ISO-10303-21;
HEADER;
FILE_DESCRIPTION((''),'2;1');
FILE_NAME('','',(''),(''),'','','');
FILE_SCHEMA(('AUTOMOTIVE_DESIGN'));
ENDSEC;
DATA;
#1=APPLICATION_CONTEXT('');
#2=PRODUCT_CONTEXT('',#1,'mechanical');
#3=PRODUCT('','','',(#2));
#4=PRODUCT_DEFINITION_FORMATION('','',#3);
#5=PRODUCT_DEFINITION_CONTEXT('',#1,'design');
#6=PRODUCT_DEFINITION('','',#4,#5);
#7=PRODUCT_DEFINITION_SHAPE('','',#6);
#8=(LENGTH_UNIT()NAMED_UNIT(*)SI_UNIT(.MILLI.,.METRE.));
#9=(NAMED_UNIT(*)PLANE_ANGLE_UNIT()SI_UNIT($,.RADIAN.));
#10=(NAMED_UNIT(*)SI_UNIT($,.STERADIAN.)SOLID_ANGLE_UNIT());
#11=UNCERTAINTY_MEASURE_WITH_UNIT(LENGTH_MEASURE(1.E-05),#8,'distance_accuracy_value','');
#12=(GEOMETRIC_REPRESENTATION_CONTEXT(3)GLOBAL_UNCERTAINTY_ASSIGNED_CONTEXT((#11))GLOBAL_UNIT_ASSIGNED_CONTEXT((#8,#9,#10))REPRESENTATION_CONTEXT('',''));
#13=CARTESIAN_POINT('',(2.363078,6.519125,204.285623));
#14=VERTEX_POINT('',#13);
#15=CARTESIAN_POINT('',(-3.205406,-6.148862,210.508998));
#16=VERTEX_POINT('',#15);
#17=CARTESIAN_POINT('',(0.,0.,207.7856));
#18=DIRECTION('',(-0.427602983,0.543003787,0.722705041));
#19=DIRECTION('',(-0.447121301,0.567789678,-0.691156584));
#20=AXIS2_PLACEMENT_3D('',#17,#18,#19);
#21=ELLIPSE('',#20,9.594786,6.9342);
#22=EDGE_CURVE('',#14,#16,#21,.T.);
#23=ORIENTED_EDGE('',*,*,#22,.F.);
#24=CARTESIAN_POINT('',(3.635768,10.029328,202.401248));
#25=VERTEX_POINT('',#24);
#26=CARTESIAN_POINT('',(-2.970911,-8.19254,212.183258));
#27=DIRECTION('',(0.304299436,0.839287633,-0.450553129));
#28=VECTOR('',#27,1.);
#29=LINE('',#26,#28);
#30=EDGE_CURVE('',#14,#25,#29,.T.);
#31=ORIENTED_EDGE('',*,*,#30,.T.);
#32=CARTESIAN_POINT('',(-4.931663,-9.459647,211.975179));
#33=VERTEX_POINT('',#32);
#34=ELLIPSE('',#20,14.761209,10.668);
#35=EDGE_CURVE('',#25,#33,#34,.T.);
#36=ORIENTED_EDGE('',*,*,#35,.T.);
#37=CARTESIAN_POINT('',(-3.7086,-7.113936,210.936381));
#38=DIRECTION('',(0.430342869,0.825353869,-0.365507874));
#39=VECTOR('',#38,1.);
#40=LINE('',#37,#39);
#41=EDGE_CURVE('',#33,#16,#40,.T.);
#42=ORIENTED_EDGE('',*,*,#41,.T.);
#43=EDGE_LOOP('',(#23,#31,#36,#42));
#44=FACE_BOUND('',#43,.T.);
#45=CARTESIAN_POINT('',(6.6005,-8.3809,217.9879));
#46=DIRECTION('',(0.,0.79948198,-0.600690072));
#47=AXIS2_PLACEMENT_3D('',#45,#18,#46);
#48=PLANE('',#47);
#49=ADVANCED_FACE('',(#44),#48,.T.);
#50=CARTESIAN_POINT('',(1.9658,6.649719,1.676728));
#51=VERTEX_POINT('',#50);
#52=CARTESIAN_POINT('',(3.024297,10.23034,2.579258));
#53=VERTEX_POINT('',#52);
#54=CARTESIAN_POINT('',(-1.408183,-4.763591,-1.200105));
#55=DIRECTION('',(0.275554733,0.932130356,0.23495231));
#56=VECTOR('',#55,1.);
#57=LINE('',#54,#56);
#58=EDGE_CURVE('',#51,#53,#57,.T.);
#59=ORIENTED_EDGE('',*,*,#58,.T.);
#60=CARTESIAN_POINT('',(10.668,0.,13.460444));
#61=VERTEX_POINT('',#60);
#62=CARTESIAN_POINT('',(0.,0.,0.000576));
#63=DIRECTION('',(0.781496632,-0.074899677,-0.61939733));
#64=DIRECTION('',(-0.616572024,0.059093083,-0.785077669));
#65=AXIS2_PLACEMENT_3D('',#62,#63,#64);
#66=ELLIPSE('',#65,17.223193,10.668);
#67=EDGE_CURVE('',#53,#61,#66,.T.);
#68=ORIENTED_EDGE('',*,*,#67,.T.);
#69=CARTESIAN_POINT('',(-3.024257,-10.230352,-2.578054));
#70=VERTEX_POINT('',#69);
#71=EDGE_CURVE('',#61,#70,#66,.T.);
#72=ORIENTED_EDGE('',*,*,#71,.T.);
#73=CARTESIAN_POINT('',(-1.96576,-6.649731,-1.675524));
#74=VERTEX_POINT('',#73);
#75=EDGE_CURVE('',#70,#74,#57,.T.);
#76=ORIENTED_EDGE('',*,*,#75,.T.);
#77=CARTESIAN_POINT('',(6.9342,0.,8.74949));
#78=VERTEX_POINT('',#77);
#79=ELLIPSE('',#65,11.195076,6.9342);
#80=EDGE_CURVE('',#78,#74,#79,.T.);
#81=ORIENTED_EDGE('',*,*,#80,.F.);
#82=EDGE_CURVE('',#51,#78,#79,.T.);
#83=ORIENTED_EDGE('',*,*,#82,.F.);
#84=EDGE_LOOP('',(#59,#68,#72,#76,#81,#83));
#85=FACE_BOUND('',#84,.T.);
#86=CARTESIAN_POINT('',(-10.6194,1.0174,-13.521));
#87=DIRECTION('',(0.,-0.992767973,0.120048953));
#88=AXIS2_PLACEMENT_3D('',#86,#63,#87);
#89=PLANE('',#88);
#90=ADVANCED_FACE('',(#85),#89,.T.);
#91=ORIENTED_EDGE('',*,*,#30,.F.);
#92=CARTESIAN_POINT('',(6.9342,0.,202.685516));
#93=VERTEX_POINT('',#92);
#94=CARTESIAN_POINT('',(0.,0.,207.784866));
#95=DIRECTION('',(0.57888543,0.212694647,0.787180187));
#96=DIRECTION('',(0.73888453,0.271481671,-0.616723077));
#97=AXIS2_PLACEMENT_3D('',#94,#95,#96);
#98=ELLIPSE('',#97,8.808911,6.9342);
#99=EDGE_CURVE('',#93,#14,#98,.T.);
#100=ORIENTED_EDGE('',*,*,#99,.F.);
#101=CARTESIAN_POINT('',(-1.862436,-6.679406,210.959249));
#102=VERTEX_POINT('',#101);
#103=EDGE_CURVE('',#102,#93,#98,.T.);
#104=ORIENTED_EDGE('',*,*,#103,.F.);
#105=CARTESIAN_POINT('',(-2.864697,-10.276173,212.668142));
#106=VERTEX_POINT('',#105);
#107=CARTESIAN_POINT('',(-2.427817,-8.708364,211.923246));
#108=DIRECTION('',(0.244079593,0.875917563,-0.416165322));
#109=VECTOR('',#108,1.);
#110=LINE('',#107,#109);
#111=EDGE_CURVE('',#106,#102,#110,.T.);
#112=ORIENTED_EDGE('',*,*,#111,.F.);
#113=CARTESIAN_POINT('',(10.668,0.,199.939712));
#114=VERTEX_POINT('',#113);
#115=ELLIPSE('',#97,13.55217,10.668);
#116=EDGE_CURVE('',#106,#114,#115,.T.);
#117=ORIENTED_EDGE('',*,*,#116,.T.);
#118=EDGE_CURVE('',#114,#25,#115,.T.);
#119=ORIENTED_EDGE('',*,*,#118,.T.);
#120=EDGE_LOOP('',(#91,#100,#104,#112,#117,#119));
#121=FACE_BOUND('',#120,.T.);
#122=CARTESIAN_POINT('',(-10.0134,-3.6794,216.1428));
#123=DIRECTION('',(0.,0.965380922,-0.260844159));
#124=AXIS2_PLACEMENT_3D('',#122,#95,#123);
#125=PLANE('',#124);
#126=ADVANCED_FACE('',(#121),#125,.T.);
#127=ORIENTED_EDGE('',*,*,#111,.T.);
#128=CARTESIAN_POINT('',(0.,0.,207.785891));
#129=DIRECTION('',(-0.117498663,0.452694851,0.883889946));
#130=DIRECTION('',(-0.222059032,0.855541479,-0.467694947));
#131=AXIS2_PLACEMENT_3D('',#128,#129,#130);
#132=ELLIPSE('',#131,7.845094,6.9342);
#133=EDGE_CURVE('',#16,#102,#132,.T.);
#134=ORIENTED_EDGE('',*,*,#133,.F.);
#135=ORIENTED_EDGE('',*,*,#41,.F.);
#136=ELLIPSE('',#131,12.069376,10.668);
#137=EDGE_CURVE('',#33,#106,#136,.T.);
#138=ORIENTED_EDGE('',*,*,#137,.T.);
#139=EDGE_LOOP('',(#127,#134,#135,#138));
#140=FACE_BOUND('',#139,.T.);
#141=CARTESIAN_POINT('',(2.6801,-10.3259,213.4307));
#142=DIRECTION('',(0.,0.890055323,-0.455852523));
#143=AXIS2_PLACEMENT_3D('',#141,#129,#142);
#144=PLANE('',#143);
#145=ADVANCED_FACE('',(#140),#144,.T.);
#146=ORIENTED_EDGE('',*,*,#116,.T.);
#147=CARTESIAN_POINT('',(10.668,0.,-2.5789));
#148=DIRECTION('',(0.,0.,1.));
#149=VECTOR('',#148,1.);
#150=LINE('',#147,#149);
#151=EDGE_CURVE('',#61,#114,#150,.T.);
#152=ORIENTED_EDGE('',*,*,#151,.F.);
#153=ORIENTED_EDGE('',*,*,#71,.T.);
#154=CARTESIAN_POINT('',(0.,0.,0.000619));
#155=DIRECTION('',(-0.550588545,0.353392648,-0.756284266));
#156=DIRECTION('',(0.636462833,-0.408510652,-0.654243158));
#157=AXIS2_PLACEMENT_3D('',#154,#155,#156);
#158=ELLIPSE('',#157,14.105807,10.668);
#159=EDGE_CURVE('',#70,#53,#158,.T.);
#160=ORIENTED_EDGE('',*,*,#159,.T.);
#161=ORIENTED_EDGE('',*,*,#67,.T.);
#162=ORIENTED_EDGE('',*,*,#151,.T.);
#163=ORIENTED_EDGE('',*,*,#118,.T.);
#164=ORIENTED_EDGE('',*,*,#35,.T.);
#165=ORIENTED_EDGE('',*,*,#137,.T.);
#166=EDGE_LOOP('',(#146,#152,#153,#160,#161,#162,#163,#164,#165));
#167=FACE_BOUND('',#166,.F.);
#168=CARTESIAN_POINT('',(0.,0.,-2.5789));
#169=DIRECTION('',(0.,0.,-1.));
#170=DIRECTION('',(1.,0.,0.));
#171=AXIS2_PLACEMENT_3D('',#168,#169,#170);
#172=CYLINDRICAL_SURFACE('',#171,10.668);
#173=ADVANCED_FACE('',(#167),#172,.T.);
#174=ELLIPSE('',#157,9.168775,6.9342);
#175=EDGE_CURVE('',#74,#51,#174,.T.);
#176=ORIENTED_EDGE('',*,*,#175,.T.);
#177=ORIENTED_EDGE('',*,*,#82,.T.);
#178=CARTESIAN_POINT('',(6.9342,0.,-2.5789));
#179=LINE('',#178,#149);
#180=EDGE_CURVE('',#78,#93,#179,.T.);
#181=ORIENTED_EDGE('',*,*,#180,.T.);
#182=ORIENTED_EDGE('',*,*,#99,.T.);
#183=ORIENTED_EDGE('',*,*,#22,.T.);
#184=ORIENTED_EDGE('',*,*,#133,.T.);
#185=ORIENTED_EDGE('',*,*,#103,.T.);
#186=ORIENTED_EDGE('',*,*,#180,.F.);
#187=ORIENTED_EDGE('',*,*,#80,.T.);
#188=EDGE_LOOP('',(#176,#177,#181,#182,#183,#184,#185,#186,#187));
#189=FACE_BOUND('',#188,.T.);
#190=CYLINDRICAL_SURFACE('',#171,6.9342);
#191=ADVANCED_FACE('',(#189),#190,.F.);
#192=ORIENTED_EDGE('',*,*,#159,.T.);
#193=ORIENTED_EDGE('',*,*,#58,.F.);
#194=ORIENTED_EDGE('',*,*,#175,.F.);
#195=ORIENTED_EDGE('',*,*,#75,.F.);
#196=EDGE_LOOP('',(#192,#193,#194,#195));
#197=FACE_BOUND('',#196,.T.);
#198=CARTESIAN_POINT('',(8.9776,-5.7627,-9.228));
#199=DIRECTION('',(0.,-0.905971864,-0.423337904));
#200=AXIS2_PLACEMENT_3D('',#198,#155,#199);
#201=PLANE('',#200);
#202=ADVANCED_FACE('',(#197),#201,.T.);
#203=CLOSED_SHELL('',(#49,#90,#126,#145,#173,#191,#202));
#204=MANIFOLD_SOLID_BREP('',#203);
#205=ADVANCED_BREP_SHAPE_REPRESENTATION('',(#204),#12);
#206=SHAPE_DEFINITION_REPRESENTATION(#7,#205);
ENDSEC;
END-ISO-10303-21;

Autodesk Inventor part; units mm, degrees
ref_plane "Start Plane" through (0, 0, -2.5789) normal (0, 0, 1) x (1, 0, 0)
ref_plane "End Plane" through (0, 0, 212.6682) normal (0, 0, 1) x (1, 0, 0)
sketch "Sketch" plane through (0, 0, 0) normal (0, 0, 1) x (1, 0, 0)
  circle A0 centre (0, 0) radius 6.9342
  circle A1 centre (0, 0) radius 10.668
  dimension "d0" = 21.336
  dimension "d1" = 3.7338
extrude "Body" add sketch "Sketch" along normal up to surface (215.2472 mm away) from surface at -2.5789
sketch "Sketch3" plane through (0, 0, 0) normal (0, 0, 1) x (1, 0, 0)
  line L0 (0, 0) -> (10, 0)
ref_plane "Work Plane3" through (0, 0, 0) normal (0, -1, 0) x (1, 0, 0)
sketch "Sketch4" plane through (0, 0, 0) normal (0, -1, 0) x (1, 0, 0)
  line L0 (-2, -2.5789) -> (12, -2.5789)
  line L1 (-2, 212.6682) -> (12, 212.6682)
  dimension "d7" = 215.2472
ref_plane "Work Plane4" through (-10.6194, 1.0174, -13.521) normal (0.7815, -0.0749, -0.6194) x (-0.6047, 0.1537, -0.7815)
split "Split1" plane through (-10.6194, 1.0174, -13.521) removes the side toward (0.7815, -0.0749, -0.6194)
ref_plane "Work Plane5" through (8.9776, -5.7627, -9.228) normal (-0.5506, 0.3534, -0.7563) x (-0.2438, 0.7984, 0.5506)
split "Split2" plane through (8.9776, -5.7627, -9.228) removes the side toward (-0.5506, 0.3534, -0.7563)
ref_plane "Work Plane6" through (6.6005, -8.3809, 217.9879) normal (-0.4276, 0.543, 0.7227) x (0.8938, 0.1348, 0.4276)
split "Split3" plane through (6.6005, -8.3809, 217.9879) removes the side toward (-0.4276, 0.543, 0.7227)
ref_plane "Work Plane7" through (2.6801, -10.3259, 213.4307) normal (-0.1175, 0.4527, 0.8839) x (0.9927, 0.0282, 0.1175)
split "Split4" plane through (2.6801, -10.3259, 213.4307) removes the side toward (-0.1175, 0.4527, 0.8839)
ref_plane "Work Plane8" through (-10.0134, -3.6794, 216.1428) normal (0.5789, 0.2127, 0.7872) x (0.8125, -0.0689, -0.5789)
split "Split5" plane through (-10.0134, -3.6794, 216.1428) removes the side toward (0.5789, 0.2127, 0.7872)
equation "\"d0\" = G_H"
equation "\"d1\" = G_T"
equation "\"d2\" = G_L"
equation "\"G_H\" = 21.336"
equation "\"G_T\" = 3.7338"
equation "\"G_L\" = 215.24716"
equation "\"G_OFFSET_START\" = 2.57893"
equation "\"G_OFFSET_END\" = 4.88279"
equation "\"d4\" = -G_OFFSET_START"
equation "\"d5\" = G_OFFSET_END + B_L"
equation "\"B_L\" = 207.78544"
properties part number "ANSI - 1/2 x 0.147 - 8.474" material "Steel, Mild"
